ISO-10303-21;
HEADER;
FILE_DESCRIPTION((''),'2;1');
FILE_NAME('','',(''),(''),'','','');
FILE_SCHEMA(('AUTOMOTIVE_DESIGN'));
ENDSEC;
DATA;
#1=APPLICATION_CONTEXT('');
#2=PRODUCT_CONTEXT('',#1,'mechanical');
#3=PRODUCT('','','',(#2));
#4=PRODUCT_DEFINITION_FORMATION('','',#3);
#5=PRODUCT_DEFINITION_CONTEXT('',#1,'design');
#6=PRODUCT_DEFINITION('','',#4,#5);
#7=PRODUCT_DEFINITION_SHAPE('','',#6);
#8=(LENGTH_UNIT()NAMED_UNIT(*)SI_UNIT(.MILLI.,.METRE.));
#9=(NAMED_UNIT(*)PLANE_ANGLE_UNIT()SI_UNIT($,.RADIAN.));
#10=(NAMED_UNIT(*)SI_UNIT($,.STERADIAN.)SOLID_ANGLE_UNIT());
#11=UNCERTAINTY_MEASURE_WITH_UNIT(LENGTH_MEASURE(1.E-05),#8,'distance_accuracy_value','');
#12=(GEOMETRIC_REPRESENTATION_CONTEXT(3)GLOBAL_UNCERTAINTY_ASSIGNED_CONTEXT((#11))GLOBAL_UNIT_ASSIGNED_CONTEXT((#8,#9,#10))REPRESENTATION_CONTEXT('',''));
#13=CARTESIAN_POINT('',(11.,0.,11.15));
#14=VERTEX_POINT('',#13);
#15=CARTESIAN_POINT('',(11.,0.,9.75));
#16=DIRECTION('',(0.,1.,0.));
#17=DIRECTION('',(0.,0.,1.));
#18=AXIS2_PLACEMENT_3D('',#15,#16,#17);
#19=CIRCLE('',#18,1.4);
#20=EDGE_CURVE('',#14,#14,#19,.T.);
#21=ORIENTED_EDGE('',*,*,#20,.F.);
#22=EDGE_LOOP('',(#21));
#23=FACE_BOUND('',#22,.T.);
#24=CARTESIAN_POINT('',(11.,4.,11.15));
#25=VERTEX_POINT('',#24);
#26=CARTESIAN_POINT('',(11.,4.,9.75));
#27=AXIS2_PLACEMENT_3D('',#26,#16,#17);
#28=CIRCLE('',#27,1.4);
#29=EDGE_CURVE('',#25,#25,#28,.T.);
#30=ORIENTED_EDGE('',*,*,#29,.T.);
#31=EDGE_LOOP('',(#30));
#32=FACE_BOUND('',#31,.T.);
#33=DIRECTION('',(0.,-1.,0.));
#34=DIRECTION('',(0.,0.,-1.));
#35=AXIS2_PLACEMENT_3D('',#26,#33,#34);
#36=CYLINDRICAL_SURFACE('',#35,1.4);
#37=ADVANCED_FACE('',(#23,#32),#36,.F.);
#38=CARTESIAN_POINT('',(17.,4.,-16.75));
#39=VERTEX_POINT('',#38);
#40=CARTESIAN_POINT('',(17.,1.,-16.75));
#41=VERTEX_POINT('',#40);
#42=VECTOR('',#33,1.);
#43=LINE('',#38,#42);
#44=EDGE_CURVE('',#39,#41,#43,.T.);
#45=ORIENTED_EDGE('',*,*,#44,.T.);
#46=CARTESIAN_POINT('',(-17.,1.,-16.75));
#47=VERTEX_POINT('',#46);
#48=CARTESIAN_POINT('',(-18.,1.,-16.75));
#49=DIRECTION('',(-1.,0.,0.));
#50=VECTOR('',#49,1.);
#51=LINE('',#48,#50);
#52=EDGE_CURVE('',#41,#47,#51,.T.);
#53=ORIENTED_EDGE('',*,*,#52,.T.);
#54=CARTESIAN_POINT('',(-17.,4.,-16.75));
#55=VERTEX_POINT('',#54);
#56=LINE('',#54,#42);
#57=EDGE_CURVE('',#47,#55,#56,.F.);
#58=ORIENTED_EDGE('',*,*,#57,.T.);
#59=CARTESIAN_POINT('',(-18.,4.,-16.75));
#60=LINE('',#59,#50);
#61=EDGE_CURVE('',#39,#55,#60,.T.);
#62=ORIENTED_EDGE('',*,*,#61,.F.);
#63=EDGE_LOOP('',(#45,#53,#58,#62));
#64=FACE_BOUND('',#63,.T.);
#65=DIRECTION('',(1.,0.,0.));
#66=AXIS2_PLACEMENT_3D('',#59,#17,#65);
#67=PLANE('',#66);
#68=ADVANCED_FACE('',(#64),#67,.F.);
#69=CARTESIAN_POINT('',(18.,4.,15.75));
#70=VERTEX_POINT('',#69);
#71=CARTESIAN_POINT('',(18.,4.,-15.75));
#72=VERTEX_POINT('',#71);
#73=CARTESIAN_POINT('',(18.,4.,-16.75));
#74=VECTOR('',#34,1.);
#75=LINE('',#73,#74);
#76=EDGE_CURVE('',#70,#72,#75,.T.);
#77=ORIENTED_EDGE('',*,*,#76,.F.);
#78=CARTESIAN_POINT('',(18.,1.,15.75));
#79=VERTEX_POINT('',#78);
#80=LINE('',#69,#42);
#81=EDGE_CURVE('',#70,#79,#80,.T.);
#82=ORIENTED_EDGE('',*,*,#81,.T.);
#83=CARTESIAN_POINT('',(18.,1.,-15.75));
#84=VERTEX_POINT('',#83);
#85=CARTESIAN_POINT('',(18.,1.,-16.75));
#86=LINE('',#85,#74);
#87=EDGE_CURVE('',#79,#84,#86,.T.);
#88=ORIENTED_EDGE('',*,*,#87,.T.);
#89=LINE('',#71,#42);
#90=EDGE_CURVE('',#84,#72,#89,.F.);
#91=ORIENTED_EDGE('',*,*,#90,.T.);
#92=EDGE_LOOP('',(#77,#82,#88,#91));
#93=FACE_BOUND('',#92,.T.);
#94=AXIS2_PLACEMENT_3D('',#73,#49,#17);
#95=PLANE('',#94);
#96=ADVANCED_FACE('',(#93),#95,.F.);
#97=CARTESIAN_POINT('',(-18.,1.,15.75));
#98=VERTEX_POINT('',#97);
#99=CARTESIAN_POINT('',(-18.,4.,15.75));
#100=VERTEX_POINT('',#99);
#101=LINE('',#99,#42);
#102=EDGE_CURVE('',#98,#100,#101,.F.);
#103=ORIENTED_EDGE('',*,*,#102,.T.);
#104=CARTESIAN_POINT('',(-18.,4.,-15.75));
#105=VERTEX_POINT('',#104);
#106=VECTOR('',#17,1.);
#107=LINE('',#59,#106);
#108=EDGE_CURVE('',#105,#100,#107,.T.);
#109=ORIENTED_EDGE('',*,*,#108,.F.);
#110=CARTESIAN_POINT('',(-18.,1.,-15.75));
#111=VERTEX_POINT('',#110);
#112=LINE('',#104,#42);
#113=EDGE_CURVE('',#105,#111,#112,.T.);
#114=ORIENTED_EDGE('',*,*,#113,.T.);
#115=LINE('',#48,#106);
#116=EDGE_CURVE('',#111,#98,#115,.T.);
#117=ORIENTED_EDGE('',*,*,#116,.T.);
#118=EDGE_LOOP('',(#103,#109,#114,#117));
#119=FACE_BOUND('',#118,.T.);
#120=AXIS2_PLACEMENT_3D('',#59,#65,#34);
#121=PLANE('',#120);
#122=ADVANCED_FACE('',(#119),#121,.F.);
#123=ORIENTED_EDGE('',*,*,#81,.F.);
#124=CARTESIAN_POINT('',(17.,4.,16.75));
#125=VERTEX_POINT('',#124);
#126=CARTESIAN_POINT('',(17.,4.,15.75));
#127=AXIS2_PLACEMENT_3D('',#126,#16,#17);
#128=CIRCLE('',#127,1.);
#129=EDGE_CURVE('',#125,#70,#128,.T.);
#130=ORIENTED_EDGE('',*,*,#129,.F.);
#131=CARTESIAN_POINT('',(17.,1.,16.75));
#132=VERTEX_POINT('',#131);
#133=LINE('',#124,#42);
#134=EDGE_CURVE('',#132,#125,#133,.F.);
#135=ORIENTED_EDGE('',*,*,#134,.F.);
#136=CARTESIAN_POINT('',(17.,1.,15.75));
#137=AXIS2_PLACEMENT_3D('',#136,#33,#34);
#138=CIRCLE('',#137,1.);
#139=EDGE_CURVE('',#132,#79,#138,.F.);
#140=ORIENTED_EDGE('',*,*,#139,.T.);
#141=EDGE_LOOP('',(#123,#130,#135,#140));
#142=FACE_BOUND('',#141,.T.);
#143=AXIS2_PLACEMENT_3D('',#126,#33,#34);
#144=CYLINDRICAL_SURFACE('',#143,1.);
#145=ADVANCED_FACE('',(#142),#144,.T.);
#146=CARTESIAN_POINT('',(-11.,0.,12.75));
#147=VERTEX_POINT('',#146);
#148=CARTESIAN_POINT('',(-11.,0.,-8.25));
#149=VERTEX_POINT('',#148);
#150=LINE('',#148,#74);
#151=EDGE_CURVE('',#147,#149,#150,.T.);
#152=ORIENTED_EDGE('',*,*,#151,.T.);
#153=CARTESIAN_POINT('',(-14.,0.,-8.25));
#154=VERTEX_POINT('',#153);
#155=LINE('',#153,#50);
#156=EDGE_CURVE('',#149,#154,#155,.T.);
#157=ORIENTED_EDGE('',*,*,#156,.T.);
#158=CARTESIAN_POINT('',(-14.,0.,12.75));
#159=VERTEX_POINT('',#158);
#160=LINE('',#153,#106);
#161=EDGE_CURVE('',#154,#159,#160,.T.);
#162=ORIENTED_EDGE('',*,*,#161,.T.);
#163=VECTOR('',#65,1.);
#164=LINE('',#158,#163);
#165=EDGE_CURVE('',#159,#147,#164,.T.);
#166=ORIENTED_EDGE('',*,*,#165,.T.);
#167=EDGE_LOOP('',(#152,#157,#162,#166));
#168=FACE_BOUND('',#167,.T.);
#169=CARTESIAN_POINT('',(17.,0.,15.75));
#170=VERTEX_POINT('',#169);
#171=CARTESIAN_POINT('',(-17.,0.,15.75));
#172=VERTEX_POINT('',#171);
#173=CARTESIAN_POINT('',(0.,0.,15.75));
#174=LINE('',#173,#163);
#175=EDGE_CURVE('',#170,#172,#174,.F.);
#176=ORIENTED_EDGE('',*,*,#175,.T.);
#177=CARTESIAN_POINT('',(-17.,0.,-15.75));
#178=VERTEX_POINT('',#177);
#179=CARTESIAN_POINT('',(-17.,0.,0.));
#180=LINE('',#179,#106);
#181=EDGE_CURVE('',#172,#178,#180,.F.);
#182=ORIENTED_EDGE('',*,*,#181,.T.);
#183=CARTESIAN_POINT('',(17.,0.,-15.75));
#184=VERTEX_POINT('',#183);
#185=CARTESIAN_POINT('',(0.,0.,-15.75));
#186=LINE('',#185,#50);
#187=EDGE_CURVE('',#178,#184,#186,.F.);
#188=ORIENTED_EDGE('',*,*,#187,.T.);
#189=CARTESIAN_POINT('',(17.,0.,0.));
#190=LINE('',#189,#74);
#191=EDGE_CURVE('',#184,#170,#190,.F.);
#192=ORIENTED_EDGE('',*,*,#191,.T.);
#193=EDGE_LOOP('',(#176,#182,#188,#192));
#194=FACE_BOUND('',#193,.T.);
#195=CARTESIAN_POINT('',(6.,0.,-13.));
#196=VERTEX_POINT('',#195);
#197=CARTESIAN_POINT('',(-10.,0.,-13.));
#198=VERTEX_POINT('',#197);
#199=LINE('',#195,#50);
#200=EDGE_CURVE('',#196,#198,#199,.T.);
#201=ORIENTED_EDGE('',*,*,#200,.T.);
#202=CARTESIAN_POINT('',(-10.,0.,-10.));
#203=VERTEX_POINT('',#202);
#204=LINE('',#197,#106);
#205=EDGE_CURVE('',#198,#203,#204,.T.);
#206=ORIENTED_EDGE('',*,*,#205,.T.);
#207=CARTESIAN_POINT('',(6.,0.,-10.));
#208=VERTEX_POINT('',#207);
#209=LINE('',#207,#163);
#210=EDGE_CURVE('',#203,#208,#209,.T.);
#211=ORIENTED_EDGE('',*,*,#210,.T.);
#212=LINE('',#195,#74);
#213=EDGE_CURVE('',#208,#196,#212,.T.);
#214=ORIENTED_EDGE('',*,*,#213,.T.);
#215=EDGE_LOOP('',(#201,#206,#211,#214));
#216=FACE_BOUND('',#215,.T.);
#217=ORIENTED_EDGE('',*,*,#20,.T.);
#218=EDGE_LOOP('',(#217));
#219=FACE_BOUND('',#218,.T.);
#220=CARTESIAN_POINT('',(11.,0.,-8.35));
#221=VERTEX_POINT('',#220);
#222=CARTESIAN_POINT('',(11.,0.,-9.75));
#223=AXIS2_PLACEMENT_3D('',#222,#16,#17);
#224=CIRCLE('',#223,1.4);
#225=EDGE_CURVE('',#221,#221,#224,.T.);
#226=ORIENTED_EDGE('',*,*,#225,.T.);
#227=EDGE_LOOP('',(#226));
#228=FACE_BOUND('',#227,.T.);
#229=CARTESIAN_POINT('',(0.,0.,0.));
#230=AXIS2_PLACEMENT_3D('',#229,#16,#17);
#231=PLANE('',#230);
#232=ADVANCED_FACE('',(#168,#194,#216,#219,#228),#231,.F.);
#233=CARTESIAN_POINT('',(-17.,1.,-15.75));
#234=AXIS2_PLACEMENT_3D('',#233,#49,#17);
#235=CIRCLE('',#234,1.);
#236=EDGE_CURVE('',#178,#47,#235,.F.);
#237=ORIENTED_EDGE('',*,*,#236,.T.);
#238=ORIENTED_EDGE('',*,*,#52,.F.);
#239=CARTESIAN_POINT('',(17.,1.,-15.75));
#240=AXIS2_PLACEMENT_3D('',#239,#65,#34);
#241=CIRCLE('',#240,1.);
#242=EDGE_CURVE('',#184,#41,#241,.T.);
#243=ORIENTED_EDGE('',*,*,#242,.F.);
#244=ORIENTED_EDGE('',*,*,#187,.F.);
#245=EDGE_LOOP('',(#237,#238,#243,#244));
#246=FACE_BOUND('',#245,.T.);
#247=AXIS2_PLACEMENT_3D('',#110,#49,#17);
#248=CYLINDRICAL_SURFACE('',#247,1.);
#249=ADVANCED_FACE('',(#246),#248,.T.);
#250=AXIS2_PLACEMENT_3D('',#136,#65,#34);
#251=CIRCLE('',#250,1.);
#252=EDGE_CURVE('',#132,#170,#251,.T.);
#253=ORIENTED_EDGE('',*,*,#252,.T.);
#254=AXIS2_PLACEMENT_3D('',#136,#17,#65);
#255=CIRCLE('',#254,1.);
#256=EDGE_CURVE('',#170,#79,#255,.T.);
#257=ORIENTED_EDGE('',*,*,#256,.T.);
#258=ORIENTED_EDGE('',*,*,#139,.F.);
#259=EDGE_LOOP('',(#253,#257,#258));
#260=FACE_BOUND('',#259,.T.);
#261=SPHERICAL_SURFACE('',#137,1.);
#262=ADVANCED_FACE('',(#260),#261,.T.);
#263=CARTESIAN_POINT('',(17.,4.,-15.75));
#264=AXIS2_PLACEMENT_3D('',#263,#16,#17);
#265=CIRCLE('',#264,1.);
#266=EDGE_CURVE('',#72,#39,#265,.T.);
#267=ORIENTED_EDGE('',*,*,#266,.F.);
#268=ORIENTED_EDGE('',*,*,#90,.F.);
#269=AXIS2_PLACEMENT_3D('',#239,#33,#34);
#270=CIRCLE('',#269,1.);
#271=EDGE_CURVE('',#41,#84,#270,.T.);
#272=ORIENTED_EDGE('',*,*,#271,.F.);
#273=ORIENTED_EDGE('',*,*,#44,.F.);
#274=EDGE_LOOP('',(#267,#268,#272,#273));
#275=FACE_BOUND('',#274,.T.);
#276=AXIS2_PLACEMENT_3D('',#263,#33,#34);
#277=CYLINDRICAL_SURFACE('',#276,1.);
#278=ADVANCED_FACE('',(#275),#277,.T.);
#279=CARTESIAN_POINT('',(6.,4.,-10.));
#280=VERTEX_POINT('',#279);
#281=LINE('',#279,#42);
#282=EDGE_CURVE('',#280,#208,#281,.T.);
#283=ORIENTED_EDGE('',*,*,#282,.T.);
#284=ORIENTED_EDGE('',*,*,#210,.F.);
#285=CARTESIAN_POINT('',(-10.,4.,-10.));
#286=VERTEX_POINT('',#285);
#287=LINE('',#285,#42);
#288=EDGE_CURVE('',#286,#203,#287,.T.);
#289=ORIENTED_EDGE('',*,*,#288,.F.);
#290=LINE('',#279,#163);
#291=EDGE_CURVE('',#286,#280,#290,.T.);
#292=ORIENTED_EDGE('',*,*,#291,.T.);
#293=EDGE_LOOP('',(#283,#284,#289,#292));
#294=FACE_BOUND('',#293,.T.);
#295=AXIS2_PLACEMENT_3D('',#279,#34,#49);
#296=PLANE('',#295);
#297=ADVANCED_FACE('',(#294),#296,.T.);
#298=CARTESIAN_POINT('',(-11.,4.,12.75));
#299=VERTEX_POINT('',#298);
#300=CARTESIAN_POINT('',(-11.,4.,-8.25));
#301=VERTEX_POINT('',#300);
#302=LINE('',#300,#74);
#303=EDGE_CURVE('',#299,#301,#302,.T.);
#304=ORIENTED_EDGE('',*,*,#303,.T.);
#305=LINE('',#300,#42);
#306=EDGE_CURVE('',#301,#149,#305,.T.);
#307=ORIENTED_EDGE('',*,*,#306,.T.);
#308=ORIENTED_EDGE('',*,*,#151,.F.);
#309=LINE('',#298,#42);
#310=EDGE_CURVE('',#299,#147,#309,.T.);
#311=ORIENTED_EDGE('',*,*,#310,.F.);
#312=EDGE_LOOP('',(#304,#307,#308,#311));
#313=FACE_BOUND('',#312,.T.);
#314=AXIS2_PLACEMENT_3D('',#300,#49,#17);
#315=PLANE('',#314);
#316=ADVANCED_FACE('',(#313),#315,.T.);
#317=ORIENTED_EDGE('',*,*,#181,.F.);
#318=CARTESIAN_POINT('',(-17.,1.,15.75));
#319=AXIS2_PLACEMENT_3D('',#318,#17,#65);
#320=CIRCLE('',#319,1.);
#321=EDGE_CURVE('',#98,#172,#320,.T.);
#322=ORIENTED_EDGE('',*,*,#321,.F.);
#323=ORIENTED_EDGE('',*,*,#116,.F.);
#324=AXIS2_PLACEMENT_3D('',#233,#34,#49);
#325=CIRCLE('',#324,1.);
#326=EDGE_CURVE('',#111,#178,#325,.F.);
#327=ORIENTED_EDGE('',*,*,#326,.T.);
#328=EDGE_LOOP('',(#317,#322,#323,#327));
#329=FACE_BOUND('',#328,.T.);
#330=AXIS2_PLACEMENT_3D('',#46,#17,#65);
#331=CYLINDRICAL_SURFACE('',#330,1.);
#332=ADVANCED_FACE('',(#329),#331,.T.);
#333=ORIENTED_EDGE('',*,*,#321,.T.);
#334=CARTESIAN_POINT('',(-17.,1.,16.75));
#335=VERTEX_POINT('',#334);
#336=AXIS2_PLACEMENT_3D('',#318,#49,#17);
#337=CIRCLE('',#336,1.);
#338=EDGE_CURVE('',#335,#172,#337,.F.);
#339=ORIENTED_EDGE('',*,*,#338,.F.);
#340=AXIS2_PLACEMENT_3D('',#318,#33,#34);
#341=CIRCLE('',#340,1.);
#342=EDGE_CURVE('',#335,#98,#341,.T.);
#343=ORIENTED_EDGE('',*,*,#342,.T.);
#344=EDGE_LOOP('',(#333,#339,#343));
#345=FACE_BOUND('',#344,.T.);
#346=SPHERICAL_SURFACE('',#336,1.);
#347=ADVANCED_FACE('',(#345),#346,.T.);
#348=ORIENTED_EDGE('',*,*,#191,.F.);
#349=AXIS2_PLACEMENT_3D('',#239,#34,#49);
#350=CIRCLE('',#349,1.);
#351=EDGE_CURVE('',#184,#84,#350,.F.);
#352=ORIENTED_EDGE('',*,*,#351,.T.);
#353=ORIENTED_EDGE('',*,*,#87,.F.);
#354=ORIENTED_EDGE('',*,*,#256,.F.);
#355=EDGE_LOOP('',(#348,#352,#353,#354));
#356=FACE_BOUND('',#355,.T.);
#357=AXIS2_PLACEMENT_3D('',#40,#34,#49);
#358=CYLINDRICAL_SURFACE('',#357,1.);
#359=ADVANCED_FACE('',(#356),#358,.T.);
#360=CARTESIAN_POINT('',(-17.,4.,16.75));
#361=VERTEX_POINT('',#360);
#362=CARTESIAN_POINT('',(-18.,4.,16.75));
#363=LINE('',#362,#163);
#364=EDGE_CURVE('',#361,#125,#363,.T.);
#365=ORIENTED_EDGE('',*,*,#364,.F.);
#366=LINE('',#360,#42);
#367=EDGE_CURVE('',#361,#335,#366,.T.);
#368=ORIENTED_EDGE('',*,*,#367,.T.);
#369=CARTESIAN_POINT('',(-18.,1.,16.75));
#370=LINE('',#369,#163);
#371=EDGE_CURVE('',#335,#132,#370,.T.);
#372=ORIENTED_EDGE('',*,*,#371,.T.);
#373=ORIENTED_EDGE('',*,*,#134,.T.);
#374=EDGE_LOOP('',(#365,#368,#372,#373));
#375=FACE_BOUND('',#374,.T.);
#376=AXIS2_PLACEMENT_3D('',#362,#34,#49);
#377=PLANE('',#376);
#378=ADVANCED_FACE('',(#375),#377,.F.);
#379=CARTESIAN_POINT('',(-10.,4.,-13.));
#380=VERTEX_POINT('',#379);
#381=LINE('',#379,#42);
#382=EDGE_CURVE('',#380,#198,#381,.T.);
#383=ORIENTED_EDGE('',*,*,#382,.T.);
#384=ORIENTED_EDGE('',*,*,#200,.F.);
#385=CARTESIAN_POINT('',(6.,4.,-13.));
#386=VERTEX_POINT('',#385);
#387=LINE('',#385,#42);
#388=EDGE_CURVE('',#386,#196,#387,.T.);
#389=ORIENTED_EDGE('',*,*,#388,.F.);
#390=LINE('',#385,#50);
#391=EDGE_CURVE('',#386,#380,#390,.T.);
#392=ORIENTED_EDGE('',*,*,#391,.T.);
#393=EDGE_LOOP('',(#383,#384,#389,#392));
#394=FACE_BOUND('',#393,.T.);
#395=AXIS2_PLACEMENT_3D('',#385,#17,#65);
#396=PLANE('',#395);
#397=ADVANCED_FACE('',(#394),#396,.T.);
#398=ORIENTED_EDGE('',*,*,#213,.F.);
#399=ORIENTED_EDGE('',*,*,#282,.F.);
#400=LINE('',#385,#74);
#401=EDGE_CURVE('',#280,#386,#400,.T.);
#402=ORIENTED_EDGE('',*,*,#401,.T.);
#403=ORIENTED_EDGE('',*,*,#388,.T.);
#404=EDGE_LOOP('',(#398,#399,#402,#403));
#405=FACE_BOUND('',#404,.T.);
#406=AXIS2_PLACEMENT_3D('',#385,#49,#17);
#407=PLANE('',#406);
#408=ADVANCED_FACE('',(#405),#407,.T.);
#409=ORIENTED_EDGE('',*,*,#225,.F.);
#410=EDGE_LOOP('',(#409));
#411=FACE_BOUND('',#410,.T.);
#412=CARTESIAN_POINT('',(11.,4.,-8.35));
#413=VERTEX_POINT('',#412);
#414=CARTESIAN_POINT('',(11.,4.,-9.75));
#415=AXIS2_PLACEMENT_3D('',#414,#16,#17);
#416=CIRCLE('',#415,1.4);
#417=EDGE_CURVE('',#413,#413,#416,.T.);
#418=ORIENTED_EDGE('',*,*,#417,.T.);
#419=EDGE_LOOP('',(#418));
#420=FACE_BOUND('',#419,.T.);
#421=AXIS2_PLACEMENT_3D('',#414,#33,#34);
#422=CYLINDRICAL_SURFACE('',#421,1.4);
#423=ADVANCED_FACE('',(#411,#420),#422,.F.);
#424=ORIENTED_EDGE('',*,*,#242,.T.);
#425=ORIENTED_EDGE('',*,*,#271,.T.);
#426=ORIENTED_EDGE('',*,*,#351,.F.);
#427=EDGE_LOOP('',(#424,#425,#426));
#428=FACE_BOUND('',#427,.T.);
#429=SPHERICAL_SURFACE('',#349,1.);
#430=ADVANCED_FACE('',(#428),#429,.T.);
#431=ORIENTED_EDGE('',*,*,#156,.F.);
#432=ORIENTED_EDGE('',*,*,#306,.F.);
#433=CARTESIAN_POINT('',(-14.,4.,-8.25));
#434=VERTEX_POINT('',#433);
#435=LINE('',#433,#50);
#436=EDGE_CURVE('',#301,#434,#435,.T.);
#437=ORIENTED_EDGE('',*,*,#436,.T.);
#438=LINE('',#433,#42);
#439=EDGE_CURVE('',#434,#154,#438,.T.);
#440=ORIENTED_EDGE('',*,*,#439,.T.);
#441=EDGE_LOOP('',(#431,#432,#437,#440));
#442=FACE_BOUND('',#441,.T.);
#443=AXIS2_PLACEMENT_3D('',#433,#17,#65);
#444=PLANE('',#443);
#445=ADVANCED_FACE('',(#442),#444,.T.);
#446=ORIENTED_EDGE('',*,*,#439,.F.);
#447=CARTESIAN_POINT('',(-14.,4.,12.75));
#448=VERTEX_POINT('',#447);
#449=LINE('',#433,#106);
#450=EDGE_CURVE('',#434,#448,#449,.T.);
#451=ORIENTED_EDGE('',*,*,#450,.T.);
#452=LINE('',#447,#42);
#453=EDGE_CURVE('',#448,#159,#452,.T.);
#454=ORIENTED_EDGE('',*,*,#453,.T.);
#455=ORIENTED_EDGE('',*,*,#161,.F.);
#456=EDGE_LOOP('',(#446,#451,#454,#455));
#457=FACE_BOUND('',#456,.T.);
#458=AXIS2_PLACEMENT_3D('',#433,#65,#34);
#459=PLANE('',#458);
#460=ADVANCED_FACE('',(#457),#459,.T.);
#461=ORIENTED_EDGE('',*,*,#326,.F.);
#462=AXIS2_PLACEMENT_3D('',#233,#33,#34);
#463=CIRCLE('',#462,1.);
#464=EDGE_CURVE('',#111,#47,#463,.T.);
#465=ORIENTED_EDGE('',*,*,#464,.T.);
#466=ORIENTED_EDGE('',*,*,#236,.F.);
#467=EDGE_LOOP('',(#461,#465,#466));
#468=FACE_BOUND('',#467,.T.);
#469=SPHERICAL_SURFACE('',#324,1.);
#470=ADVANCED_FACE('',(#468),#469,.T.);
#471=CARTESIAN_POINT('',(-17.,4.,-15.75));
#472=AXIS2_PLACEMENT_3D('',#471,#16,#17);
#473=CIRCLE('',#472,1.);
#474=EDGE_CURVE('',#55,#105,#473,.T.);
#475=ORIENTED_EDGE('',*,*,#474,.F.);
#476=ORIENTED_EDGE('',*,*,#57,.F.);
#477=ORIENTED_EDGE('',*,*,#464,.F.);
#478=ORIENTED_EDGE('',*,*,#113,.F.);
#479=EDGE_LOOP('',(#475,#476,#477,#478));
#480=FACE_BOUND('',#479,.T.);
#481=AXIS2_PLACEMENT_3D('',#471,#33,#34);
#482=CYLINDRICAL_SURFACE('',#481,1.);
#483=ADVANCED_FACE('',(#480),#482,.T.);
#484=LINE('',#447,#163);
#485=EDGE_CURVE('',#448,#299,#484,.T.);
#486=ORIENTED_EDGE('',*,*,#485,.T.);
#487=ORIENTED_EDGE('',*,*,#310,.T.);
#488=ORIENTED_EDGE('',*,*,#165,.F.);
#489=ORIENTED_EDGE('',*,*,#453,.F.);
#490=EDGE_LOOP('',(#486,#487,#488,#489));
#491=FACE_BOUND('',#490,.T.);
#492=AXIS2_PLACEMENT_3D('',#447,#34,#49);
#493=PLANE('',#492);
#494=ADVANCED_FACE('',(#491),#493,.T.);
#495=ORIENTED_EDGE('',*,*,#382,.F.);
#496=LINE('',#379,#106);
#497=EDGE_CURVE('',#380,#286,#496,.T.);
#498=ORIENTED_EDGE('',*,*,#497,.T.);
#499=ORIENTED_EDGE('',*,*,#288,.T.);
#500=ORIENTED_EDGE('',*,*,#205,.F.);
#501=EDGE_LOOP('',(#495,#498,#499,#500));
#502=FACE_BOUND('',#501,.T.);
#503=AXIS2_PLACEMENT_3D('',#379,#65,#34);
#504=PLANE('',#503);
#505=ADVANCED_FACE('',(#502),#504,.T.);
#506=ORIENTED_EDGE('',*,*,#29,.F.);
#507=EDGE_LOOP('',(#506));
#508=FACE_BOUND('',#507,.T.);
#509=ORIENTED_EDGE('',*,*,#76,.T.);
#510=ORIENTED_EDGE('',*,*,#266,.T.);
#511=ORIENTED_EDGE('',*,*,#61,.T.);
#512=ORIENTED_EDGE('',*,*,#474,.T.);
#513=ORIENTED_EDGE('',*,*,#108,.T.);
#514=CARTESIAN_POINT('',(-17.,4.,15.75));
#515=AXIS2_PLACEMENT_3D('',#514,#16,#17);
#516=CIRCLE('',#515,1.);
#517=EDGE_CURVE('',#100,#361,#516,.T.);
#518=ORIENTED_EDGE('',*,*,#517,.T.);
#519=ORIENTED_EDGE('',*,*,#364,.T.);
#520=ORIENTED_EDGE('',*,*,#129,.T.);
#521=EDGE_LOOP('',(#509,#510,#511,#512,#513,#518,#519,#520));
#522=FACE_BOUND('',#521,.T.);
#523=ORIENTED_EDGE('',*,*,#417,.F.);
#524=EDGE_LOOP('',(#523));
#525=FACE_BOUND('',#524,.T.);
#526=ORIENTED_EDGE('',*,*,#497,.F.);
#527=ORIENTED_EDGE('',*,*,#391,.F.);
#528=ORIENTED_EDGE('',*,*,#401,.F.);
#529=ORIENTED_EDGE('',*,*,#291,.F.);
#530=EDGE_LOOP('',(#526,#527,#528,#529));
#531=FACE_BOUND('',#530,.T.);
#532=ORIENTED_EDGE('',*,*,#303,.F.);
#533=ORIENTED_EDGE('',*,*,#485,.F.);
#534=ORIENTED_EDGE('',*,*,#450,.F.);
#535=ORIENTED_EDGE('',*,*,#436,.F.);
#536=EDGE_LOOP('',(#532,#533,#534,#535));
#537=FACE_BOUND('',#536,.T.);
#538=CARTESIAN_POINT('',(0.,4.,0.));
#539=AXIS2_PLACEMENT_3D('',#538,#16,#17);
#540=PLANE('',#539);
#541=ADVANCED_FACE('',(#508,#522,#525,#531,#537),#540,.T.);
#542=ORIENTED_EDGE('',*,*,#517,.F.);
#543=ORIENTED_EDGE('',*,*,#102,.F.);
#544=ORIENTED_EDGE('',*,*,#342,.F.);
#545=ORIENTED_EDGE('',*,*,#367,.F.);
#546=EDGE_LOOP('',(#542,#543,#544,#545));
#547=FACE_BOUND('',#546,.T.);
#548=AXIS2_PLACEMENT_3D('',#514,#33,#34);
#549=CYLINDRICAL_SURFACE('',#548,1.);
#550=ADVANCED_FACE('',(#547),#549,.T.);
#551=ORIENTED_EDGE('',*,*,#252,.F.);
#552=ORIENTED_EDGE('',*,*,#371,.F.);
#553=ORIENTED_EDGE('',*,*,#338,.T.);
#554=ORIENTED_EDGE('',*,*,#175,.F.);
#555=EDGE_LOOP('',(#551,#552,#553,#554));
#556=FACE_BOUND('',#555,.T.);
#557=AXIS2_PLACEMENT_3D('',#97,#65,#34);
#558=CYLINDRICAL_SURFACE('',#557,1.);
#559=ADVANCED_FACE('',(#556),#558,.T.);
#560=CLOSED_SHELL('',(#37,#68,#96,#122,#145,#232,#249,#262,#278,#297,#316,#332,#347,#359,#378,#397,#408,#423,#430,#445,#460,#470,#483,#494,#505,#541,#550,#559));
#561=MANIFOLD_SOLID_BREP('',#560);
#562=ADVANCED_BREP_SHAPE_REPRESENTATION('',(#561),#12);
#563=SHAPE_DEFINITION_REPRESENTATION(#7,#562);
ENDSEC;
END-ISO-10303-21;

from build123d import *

# Parameters (mm, degrees)
SKETCH1_W            = 36
SKETCH1_H            = 33.5
SKETCH1_R            = 1.4
SKETCH1_W_2          = 3
SKETCH1_H_2          = 21
SKETCH1_W_3          = 16
SKETCH1_H_3          = 3
BASE_DEPTH           = 4
F_1MM_EDGE_FILLETS_R = 1


with BuildPart() as part:
    # Sketch1 → Base (new body)
    with BuildSketch(Plane(origin=(0, 0, 0), x_dir=(1, 0, 0), z_dir=(0, 1, 0))):
        Rectangle(SKETCH1_W, SKETCH1_H)
        with Locations(Location((11, -9.75, 0), (0, 0, 270))):
            Circle(SKETCH1_R, mode=Mode.SUBTRACT)
        with Locations(Location((11, 9.75, 0), (0, 0, 270))):
            Circle(SKETCH1_R, mode=Mode.SUBTRACT)
        with Locations((-12.5, -2.25)):
            Rectangle(SKETCH1_W_2, SKETCH1_H_2, mode=Mode.SUBTRACT)
        with Locations((-2, 11.5)):
            Rectangle(SKETCH1_W_3, SKETCH1_H_3, mode=Mode.SUBTRACT)
    extrude(amount=BASE_DEPTH)

    # 1mm Edge Fillets
    f_1mm_edge_fillets_edges = [part.edges().sort_by_distance(p)[0] for p in [
        (0, 0, 16.75),
        (-18, 0, 0),
        (0, 0, -16.75),
        (18, 0, 0),
        (18, 2, 16.75),
        (-18, 2, 16.75),
        (-18, 2, -16.75),
        (18, 2, -16.75),
    ]]
    fillet(f_1mm_edge_fillets_edges, radius=F_1MM_EDGE_FILLETS_R)


solid = part.part
